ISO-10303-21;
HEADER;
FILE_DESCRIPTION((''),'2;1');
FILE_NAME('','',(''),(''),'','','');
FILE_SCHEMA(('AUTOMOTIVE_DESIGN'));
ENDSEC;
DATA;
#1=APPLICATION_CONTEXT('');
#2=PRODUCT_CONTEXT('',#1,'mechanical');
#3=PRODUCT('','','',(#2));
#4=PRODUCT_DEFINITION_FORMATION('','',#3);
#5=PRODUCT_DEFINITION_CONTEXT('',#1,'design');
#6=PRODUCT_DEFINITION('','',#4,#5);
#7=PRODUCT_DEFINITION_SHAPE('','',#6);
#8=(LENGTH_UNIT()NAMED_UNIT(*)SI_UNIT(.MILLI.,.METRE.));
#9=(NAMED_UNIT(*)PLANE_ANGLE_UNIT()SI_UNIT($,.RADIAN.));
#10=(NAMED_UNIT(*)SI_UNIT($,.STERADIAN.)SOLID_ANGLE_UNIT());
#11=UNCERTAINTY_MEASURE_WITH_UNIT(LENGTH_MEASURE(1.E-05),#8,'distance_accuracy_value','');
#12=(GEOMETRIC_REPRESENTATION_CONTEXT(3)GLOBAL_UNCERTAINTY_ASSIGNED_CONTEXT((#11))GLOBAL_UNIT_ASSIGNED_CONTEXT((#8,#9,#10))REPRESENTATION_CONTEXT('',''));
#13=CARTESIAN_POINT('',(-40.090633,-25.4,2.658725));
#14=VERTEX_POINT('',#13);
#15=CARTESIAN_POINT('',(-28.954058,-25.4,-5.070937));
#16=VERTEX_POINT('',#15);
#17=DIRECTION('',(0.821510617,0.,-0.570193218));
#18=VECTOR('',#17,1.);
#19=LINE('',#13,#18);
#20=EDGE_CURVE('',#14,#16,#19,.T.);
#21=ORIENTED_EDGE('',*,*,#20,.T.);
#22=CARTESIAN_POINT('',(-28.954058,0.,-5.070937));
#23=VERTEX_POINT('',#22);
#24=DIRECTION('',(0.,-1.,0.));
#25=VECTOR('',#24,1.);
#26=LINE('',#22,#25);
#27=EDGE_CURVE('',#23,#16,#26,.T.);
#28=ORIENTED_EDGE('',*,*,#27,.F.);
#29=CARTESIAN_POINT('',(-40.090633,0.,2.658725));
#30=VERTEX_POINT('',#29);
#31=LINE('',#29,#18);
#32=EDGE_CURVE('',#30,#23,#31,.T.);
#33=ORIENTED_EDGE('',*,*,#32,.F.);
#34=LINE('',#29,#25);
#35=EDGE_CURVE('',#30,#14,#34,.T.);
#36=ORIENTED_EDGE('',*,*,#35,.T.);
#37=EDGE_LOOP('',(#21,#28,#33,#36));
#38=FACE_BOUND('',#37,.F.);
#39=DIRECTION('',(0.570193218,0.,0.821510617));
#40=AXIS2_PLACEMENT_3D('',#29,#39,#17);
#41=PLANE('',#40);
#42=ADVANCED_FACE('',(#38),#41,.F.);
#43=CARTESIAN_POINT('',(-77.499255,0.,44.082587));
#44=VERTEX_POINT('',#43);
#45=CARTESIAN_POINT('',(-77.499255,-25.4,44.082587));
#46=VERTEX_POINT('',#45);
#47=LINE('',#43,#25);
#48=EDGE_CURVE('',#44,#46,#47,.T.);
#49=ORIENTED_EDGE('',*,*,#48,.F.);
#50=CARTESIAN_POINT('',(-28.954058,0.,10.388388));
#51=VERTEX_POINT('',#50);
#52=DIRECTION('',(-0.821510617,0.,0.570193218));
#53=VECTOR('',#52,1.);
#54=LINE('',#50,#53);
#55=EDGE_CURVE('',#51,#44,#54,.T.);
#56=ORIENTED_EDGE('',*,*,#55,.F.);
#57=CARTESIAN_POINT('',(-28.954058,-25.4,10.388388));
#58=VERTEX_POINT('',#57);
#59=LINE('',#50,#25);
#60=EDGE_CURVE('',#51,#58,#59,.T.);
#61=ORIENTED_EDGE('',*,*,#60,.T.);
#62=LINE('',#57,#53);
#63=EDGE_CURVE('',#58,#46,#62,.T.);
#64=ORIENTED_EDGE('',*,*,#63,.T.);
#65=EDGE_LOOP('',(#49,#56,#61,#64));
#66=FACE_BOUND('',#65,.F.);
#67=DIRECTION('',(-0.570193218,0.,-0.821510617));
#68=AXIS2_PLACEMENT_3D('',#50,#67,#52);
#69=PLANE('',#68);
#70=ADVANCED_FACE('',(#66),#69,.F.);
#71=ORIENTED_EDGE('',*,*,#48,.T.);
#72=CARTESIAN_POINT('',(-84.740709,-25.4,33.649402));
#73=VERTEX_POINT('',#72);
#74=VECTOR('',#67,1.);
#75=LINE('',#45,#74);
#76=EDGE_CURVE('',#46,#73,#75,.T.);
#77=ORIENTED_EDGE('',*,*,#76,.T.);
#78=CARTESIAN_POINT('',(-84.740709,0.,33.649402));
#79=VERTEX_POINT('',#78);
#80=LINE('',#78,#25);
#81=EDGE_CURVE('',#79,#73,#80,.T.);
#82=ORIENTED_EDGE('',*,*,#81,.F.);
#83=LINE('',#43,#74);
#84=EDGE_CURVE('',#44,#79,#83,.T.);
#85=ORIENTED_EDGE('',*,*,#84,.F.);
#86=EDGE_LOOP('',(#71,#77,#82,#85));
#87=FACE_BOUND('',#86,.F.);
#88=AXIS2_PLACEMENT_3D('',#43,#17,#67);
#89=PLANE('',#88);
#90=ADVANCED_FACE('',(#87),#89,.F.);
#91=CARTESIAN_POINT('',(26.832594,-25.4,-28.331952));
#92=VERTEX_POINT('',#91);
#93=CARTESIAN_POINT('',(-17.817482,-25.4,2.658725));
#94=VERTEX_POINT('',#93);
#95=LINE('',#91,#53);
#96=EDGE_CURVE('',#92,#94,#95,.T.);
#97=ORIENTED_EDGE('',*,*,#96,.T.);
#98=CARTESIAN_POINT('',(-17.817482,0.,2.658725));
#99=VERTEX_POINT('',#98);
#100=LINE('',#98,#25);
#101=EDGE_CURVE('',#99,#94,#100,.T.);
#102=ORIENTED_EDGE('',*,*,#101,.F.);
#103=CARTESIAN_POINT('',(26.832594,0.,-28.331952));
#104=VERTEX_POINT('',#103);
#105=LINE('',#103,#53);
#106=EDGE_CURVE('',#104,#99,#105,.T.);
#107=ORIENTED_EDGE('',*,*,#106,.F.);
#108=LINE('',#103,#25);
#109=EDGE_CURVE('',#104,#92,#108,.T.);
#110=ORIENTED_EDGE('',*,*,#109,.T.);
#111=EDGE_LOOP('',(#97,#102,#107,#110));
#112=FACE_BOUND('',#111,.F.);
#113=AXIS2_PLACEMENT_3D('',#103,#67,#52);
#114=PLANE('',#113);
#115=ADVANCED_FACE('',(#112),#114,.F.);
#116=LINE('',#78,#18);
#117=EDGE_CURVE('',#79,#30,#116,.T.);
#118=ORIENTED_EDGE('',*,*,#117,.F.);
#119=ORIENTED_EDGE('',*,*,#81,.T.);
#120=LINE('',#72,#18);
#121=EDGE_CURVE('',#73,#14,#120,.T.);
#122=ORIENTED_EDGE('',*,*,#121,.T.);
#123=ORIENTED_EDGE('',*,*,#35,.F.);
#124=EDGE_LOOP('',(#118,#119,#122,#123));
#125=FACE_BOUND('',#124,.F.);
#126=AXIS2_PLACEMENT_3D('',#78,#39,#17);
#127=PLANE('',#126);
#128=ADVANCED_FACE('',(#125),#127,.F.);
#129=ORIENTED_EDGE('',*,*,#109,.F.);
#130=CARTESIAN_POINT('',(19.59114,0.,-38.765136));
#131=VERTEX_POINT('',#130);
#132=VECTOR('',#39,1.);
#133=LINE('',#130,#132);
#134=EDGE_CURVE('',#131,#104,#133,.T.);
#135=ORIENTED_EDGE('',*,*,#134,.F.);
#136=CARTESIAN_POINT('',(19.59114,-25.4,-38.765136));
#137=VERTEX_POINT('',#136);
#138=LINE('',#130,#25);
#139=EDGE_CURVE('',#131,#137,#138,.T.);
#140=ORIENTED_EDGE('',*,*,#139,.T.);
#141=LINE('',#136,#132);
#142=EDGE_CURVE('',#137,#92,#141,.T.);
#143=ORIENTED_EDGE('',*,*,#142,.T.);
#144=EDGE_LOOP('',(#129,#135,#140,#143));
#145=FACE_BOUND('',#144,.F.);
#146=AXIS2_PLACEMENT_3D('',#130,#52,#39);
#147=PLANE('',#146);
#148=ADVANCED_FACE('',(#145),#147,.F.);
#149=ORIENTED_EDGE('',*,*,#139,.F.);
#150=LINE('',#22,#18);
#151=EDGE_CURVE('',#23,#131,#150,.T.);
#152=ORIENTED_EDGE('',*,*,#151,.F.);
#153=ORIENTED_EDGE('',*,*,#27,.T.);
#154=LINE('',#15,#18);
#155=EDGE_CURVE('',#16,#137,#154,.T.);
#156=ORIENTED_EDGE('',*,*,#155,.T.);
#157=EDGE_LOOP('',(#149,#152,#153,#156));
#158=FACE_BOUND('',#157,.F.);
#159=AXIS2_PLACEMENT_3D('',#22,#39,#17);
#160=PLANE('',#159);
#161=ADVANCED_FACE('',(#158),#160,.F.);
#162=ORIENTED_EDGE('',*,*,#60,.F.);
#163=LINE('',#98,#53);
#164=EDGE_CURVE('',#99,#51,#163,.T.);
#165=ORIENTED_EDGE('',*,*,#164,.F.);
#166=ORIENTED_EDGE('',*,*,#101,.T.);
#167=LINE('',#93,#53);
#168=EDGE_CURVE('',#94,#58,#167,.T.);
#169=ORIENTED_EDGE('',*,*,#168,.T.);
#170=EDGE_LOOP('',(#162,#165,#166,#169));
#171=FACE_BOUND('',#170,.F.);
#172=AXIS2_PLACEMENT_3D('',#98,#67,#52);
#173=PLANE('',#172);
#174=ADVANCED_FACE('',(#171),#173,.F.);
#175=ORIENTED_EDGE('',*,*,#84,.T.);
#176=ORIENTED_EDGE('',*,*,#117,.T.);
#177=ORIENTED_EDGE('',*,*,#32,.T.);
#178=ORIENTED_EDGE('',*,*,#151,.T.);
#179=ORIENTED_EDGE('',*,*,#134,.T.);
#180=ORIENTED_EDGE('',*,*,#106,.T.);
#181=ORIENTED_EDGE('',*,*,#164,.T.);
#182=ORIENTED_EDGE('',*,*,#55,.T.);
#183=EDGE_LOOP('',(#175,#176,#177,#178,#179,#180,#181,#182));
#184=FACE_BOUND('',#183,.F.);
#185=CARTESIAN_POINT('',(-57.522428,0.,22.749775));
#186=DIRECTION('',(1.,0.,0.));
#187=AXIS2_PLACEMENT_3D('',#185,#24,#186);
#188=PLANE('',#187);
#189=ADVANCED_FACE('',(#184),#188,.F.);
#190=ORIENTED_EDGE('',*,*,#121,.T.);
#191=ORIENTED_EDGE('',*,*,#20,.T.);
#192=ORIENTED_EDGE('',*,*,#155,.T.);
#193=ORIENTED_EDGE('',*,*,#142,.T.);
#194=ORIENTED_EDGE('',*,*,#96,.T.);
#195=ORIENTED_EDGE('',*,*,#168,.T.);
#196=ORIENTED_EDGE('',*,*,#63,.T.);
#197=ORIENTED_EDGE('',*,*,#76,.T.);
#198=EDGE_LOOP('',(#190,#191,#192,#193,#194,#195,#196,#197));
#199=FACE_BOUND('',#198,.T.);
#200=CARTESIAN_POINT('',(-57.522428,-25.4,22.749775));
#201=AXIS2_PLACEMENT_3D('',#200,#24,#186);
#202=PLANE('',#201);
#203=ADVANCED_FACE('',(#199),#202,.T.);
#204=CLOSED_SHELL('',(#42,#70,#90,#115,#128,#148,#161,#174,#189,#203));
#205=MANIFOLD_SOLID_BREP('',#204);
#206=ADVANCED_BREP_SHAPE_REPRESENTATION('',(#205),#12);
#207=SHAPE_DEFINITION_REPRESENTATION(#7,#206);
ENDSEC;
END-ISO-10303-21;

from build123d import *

# Parameters (mm, degrees)
F1_DEPTH = 25.4


with BuildPart() as f1:
    # F0 (on Front) → F1 (new body)
    with BuildSketch(Plane.XZ):
        Polygon((-28.9540575403, 10.388388148), (-77.4992547724, 44.0825872059), (-84.7407086472, 33.649402372), (-40.0906333431, 2.6587254148), align=None)
        Polygon((-17.8174817374, 2.6587254148), (-28.9540575403, 10.388388148), (-40.0906333431, 2.6587254148), (-28.9540575403, -5.0709373185), align=None)
        Polygon((26.8325935667, -28.3319515425), (-17.8174817374, 2.6587254148), (-28.9540575403, -5.0709373185), (19.5911396918, -38.7651363764), align=None)
    extrude(amount=F1_DEPTH)


solid = f1.part
